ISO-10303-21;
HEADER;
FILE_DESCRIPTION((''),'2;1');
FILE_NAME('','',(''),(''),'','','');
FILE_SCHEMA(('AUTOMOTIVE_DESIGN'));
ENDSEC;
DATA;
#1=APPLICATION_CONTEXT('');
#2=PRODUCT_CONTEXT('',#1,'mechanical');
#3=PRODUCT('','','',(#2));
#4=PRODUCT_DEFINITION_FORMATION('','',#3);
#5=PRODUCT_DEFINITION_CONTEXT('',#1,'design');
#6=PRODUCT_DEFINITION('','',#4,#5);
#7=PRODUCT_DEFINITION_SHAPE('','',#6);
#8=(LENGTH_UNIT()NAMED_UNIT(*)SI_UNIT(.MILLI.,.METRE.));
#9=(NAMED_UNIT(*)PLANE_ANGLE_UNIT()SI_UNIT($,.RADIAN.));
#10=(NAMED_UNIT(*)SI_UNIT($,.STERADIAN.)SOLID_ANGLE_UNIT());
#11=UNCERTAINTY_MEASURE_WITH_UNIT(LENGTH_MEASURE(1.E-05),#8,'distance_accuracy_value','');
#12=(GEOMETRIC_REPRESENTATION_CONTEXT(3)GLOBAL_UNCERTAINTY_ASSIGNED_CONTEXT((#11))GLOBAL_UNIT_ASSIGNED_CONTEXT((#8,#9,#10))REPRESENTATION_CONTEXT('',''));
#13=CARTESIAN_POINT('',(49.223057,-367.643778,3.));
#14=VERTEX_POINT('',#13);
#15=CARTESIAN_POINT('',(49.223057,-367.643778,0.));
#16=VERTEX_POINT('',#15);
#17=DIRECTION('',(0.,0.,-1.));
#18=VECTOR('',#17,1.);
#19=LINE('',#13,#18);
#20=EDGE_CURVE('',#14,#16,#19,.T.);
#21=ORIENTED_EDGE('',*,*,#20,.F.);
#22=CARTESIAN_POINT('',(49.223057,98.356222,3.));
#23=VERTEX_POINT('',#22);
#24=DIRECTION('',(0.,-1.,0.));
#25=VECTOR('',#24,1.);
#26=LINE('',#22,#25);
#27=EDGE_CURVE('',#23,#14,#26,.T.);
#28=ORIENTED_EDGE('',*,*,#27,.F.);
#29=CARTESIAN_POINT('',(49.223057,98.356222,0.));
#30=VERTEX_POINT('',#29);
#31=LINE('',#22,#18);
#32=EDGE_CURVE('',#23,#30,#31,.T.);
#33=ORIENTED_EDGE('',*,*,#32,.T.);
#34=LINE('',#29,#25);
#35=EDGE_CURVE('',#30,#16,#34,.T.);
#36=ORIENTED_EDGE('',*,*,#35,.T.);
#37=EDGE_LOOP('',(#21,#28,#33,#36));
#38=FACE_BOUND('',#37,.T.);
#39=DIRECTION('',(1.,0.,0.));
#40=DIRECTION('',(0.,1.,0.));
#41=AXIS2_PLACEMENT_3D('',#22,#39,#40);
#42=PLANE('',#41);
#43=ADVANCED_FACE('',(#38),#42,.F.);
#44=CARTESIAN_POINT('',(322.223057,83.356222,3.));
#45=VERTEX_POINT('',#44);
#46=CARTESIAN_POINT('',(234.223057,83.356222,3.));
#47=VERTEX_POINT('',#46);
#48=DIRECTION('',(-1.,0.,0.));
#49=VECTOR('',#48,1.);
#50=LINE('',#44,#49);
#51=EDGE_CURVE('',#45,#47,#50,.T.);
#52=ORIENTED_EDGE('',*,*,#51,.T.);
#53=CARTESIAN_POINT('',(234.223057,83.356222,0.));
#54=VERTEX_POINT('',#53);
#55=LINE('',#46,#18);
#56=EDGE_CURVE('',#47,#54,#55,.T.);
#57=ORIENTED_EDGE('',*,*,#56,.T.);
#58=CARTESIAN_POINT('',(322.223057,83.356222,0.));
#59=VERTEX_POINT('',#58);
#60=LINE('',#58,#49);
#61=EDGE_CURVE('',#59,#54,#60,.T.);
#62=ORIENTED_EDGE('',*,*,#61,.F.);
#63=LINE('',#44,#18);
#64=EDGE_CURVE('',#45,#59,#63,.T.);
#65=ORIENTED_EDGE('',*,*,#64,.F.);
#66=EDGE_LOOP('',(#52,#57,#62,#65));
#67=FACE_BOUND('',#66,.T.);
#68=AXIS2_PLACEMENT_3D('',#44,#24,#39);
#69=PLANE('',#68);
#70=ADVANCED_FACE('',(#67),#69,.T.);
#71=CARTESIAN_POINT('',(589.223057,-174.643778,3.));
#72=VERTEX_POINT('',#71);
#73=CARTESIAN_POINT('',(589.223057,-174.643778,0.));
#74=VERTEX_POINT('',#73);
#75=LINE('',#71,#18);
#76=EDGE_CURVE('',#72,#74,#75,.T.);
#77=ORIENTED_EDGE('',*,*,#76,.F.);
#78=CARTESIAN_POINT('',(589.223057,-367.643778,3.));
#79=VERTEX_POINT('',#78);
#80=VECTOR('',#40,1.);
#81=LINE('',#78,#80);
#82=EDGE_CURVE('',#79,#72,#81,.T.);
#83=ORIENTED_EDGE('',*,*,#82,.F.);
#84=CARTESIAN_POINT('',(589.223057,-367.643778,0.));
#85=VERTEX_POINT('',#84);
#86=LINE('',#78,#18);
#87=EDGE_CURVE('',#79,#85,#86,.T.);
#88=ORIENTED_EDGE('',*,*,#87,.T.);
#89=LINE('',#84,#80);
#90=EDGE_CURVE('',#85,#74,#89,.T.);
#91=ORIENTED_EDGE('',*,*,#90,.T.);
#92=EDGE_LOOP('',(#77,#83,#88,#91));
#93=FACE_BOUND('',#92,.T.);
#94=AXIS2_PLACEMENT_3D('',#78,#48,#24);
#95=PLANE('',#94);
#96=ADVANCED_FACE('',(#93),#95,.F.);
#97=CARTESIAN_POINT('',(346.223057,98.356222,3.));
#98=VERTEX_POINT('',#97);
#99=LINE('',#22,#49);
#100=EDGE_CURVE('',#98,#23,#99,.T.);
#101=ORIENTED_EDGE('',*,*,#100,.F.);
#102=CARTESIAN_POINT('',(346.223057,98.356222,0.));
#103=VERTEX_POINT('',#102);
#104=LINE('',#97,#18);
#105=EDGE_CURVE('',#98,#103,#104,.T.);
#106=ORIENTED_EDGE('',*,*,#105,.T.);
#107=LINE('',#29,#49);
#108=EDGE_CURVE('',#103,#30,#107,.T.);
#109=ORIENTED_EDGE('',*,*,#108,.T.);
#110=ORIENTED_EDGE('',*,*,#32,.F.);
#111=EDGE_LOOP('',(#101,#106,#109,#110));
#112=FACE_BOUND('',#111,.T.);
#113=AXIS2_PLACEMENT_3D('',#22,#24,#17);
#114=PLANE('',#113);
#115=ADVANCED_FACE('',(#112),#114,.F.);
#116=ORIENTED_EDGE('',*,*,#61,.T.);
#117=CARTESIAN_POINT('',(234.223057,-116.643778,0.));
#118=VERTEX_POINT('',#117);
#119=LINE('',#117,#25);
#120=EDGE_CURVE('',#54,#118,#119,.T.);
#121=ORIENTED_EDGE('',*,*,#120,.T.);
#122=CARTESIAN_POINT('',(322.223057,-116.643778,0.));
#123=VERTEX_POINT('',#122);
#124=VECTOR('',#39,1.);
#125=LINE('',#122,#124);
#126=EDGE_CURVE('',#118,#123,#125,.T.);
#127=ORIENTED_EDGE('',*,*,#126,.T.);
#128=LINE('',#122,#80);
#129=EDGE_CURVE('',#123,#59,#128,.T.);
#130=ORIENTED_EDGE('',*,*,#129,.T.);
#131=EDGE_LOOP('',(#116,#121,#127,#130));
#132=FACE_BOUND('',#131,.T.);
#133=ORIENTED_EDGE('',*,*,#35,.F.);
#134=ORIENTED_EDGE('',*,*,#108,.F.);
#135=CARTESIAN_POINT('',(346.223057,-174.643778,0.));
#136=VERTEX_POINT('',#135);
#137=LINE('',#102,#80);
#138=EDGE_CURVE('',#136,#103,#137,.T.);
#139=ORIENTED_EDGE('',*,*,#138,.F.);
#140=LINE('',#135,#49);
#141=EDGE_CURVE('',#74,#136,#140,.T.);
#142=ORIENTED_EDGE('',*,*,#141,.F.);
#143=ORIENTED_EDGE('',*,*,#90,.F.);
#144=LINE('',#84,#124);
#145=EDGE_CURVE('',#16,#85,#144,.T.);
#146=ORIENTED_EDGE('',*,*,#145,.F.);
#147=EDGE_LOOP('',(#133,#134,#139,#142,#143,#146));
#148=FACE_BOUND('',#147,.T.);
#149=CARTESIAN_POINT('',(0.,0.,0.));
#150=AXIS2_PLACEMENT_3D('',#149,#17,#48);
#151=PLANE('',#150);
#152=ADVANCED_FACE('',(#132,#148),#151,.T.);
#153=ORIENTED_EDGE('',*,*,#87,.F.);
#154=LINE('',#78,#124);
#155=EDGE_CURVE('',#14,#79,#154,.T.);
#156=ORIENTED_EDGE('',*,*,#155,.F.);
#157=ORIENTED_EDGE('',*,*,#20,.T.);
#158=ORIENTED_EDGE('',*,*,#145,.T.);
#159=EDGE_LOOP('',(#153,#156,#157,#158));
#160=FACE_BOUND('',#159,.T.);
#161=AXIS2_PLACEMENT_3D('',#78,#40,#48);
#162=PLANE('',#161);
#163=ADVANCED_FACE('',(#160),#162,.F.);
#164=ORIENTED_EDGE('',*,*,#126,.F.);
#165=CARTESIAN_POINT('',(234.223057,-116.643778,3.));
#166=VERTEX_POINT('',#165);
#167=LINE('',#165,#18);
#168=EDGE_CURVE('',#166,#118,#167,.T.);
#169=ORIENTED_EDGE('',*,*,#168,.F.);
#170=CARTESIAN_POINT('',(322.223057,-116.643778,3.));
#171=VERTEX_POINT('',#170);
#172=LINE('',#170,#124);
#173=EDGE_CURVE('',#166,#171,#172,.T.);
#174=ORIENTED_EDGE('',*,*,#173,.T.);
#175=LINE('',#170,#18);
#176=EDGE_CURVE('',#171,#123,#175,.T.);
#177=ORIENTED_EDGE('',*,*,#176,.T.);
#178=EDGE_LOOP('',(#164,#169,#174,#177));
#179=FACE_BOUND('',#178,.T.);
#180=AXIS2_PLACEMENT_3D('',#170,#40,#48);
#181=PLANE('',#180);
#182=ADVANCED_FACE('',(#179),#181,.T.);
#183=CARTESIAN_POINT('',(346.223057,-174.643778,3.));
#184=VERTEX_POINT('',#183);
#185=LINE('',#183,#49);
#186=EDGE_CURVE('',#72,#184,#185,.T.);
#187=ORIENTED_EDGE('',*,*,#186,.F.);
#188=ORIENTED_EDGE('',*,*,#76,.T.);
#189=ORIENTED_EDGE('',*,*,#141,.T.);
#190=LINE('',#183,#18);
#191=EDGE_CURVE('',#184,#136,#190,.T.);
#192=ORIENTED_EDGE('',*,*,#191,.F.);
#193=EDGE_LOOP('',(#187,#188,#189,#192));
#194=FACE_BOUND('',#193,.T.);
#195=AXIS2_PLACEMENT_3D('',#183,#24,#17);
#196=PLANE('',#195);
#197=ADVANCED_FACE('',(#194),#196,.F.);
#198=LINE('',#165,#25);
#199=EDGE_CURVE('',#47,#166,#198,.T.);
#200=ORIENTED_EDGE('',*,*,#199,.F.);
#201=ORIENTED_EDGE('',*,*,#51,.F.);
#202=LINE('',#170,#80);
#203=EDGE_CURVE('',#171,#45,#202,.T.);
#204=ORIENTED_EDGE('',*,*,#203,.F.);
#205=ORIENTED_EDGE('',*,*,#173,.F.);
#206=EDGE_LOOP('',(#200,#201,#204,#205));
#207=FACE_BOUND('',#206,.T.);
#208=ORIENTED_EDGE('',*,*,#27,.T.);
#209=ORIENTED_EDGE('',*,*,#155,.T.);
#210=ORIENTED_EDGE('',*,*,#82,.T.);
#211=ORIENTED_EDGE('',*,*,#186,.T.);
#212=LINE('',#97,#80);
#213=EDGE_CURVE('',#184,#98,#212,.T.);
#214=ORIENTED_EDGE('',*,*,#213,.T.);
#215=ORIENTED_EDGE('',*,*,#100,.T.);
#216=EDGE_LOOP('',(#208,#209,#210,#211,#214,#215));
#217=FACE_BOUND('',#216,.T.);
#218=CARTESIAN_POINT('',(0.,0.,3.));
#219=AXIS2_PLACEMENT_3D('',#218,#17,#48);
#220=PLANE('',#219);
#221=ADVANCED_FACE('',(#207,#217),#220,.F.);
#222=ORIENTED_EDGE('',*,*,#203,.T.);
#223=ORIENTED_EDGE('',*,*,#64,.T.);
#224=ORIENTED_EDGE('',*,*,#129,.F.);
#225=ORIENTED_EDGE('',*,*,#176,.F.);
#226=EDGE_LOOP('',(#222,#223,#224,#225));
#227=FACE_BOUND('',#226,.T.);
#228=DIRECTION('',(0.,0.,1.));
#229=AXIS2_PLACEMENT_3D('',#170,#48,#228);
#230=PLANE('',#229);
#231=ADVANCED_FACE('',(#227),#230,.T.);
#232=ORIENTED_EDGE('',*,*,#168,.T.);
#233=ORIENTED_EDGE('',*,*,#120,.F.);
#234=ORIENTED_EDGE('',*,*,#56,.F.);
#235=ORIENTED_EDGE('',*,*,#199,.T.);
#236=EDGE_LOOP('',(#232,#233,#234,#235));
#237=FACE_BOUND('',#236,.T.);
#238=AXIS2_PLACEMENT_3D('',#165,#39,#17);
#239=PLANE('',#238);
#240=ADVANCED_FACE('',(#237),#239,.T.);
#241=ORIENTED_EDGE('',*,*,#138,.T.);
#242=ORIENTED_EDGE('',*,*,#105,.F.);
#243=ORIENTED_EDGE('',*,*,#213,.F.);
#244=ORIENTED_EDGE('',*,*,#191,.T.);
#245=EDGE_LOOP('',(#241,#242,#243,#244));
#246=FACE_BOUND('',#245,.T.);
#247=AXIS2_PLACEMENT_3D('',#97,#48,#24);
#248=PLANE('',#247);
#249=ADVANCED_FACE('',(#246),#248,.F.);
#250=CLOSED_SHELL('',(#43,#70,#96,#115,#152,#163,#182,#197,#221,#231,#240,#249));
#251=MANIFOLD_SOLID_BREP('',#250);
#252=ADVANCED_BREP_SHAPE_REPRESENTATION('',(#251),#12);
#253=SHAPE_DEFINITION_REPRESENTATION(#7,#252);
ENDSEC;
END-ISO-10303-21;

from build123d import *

# Parameters (mm, degrees)
ESQUISSE1_W        = 88
ESQUISSE1_H        = 200
BOSS_EXTRU_1_DEPTH = 3


with BuildPart() as part:
    # Esquisse1 → Boss.-Extru.1 (new body)
    with BuildSketch(Plane.XY):
        Polygon((589.223057321, -367.643778293), (49.223057321, -367.643778293), (49.223057321, 98.356221707), (346.223057321, 98.356221707), (346.223057321, -174.643778293), (589.223057321, -174.643778293), align=None)
        with Locations((278.223057321, -16.643778293)):
            Rectangle(ESQUISSE1_W, ESQUISSE1_H, mode=Mode.SUBTRACT)
    extrude(amount=BOSS_EXTRU_1_DEPTH)


solid = part.part
